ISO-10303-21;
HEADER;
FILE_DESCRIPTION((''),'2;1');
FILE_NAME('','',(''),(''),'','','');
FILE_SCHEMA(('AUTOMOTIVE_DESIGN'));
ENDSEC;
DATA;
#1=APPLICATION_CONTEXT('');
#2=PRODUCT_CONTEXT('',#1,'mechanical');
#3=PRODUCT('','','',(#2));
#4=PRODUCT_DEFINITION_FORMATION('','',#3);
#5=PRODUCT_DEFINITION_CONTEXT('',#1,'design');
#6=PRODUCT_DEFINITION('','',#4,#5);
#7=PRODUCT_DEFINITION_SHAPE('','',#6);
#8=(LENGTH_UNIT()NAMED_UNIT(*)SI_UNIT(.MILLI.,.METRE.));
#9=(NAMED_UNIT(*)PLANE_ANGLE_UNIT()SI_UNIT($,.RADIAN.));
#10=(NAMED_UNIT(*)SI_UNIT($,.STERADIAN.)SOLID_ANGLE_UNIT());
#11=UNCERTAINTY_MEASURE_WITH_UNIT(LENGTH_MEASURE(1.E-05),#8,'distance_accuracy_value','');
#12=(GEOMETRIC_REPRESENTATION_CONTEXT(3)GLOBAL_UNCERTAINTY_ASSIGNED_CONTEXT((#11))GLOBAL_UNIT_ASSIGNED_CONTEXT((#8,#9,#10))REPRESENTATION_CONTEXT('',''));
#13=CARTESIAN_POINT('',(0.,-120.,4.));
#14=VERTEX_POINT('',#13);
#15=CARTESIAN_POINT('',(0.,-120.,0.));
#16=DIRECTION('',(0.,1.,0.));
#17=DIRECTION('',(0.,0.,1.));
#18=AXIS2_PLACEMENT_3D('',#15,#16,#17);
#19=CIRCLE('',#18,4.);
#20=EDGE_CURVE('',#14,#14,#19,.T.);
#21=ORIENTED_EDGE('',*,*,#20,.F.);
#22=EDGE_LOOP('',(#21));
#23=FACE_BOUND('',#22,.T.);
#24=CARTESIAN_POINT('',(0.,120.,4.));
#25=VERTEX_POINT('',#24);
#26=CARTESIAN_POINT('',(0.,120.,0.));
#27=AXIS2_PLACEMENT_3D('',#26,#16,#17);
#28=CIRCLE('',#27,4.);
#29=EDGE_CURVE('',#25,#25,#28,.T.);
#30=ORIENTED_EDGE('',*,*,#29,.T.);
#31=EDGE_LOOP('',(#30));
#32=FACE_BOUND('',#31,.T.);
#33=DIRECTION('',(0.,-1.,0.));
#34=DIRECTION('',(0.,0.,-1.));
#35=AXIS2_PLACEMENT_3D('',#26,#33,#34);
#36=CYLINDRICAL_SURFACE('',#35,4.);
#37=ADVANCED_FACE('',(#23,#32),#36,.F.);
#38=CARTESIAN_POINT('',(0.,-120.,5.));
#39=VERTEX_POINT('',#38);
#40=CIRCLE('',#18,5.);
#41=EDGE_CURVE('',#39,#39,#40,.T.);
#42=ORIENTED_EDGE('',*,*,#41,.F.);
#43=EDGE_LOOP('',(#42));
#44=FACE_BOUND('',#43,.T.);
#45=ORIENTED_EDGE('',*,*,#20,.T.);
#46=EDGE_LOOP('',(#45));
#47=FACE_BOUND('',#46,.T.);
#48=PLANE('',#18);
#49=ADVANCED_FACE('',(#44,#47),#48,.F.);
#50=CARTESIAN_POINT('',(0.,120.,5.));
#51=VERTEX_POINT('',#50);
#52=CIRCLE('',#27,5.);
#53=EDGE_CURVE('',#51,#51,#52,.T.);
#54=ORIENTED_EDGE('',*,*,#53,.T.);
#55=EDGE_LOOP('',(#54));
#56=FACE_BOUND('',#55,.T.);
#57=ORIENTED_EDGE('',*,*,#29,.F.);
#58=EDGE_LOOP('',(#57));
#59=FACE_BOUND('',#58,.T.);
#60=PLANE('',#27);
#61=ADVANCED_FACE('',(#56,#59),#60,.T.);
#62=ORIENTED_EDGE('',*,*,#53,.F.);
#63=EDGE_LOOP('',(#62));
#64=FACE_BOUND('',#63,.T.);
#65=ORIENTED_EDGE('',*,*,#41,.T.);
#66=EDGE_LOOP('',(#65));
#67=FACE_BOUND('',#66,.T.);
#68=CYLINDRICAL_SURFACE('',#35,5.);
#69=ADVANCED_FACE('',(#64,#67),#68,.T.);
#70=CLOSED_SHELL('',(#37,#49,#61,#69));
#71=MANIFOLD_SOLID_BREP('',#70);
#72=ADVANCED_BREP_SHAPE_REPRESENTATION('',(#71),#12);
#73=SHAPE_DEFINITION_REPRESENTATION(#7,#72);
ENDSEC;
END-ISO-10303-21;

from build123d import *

# Parameters (mm, degrees)
SKETCH1_R           = 5
SKETCH1_R_2         = 4
BOSS_EXTRUDE1_DEPTH = 120


with BuildPart() as part:
    # Sketch1 → Boss-Extrude1 (new body, symmetric)
    with BuildSketch(Plane(origin=(0, 0, 0), x_dir=(1, 0, 0), z_dir=(0, 1, 0))):
        Circle(SKETCH1_R)
        Circle(SKETCH1_R_2, mode=Mode.SUBTRACT)
    extrude(amount=BOSS_EXTRUDE1_DEPTH, both=True)


solid = part.part
